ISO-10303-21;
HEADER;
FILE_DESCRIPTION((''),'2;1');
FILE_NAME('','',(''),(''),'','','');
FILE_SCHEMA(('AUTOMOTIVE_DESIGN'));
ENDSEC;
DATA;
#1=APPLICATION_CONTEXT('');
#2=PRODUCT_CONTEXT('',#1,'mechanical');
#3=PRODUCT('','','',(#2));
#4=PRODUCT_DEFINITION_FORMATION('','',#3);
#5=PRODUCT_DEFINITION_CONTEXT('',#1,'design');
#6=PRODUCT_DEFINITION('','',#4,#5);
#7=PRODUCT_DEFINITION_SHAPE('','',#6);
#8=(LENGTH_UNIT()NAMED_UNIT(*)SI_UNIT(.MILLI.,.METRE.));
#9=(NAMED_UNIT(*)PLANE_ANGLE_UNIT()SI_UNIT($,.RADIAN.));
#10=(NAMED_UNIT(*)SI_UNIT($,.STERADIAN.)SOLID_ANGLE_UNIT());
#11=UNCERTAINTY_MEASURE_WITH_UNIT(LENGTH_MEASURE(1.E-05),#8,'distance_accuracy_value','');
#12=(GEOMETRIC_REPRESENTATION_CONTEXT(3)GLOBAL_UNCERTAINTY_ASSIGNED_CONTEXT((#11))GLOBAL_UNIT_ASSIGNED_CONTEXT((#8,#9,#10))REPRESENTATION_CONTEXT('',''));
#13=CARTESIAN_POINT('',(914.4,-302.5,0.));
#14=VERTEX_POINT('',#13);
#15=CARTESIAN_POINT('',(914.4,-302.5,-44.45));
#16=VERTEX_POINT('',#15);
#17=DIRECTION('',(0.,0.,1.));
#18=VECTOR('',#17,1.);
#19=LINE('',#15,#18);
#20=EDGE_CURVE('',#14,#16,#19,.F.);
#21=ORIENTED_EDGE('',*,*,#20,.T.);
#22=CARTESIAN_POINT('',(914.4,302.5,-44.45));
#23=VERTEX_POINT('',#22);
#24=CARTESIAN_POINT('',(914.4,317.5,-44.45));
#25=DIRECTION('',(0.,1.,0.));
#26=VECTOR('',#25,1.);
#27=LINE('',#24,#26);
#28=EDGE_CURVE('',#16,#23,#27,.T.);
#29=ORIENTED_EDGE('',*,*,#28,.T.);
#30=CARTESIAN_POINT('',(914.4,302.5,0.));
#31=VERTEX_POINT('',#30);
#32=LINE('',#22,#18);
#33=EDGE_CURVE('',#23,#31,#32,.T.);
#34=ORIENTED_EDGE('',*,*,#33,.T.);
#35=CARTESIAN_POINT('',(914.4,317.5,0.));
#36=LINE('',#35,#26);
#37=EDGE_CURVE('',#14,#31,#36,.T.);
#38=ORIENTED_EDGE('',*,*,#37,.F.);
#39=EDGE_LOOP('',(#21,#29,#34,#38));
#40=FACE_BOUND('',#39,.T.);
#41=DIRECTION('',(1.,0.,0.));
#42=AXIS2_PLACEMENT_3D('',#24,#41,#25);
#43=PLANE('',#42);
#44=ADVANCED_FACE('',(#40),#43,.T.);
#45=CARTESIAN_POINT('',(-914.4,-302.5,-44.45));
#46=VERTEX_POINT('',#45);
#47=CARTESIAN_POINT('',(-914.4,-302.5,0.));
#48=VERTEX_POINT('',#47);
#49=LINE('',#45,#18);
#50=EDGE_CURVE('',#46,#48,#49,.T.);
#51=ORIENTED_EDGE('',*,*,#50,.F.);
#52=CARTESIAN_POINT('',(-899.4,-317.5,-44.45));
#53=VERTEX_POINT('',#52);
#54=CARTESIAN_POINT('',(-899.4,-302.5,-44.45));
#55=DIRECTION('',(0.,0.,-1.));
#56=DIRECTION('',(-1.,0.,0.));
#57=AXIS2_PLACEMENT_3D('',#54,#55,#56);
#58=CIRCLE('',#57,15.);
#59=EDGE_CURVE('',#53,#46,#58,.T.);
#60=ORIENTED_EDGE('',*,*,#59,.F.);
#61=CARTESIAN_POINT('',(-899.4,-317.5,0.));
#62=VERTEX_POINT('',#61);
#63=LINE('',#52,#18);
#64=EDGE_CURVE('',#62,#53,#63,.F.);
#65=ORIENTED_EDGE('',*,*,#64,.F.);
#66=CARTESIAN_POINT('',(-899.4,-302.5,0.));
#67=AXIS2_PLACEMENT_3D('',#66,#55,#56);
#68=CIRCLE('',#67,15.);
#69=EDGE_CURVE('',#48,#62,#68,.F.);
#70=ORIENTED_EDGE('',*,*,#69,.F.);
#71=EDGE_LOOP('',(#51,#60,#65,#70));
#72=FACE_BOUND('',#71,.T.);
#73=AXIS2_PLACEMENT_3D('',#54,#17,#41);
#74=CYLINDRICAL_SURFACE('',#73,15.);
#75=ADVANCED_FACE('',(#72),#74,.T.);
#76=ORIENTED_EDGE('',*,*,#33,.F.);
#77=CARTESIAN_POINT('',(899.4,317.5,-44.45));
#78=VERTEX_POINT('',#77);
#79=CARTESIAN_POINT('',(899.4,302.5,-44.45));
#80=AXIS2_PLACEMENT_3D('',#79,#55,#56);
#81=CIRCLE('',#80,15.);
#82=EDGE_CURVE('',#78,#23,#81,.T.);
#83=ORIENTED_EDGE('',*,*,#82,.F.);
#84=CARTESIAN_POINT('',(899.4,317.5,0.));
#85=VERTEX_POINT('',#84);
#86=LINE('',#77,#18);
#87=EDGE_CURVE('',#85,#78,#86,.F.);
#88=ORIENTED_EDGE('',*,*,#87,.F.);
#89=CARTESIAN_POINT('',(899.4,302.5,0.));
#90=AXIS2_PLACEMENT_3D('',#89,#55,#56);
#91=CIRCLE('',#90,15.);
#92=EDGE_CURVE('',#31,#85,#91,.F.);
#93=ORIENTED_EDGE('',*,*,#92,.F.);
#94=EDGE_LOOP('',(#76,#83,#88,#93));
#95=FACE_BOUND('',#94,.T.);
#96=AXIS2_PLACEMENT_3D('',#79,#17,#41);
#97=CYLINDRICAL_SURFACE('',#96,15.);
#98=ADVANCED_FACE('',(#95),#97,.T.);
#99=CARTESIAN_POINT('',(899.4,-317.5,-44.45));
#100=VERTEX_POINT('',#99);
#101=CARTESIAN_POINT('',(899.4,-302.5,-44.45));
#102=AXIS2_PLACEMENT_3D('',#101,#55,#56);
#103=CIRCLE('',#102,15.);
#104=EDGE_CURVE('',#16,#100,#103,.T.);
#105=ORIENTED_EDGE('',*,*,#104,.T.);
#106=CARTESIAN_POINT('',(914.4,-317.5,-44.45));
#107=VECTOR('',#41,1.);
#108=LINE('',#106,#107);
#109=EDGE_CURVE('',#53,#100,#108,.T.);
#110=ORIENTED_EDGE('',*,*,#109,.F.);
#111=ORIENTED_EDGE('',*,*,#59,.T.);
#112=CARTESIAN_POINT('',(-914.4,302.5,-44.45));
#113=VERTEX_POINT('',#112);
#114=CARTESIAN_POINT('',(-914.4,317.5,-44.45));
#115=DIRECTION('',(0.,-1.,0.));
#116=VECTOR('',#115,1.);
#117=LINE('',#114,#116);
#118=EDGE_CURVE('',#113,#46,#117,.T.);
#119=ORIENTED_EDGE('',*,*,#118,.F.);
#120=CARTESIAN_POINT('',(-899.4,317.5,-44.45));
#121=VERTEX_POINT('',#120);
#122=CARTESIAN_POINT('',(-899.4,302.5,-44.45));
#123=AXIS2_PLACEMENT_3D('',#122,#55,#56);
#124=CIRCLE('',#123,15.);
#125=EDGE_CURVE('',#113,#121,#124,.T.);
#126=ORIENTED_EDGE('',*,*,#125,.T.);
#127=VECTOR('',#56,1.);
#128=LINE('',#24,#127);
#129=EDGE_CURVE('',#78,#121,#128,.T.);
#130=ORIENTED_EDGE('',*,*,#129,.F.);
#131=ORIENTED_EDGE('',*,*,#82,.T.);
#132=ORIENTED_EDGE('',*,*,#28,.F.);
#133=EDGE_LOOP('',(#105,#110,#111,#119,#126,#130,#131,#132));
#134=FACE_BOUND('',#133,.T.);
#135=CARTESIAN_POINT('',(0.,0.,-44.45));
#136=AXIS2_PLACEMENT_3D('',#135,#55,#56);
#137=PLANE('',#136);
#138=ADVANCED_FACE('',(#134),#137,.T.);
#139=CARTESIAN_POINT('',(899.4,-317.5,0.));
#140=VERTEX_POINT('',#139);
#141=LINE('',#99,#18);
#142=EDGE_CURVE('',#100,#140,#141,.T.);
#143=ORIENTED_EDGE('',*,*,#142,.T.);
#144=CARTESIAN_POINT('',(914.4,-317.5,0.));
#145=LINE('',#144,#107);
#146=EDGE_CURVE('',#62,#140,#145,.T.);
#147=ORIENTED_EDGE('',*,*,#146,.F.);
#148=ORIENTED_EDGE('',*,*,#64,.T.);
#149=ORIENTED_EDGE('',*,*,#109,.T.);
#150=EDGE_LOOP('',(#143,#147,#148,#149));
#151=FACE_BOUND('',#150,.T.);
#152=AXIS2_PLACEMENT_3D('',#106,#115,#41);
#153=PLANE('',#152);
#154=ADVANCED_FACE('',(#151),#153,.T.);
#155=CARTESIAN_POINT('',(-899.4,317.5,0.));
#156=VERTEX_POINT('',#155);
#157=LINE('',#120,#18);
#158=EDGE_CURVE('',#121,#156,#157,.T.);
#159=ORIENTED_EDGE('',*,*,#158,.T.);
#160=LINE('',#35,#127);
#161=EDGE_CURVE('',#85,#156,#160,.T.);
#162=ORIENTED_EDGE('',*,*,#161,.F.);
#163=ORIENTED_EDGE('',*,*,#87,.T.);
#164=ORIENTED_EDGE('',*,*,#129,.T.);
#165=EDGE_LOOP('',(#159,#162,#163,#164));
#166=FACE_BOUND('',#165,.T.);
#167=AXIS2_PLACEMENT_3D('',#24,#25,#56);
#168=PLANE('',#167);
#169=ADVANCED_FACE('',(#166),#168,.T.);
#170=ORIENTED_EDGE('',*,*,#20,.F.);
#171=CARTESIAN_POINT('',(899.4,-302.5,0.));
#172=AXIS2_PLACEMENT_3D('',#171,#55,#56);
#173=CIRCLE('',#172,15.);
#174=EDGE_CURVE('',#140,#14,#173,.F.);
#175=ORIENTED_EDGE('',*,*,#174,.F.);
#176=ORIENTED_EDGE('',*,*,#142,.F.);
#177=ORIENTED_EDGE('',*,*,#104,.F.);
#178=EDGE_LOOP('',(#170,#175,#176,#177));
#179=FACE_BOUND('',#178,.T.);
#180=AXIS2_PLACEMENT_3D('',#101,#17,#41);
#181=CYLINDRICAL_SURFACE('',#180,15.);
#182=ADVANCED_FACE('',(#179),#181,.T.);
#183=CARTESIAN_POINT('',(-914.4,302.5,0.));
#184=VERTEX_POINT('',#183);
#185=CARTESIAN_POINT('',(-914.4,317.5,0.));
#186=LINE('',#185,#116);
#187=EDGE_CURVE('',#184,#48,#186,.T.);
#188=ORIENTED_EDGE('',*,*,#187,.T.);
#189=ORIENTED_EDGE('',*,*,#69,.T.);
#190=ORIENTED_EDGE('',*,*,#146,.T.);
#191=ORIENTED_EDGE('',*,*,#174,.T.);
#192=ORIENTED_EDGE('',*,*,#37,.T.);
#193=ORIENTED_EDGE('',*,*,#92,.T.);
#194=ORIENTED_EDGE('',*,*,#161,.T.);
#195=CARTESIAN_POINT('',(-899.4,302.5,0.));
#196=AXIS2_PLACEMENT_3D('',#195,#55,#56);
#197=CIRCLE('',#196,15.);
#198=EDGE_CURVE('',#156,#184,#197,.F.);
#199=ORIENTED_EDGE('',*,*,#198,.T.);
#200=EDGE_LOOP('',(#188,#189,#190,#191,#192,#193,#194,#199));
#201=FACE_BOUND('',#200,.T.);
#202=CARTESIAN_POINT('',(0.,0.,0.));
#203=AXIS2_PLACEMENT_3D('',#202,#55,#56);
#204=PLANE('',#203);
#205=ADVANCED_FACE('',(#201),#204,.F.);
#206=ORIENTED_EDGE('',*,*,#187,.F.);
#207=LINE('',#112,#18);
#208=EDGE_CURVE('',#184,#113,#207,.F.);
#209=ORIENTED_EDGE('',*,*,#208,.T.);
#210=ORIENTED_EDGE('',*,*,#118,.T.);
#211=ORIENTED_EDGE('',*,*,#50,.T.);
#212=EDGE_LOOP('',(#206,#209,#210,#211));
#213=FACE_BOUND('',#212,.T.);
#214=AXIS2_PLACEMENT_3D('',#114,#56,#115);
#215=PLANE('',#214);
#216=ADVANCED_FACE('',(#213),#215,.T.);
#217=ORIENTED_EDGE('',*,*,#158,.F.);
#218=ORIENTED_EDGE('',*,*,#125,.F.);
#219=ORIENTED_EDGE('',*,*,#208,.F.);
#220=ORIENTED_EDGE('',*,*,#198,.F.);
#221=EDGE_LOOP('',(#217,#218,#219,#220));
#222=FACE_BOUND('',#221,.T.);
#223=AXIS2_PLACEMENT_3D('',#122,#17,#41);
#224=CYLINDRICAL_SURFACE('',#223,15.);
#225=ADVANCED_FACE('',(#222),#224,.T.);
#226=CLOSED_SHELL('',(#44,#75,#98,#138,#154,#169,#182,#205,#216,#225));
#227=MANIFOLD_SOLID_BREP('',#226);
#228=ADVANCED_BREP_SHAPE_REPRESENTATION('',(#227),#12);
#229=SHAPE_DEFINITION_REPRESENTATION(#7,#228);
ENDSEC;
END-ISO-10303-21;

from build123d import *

# Parameters (mm, degrees)
SKETCH1_W           = 1828.8
SKETCH1_H           = 635
BOSS_EXTRUDE1_DEPTH = 44.45
FILLET1_R           = 15


with BuildPart() as part:
    # Sketch1 → Boss-Extrude1 (new body)
    with BuildSketch(Plane.XY):
        Rectangle(SKETCH1_W, SKETCH1_H)
    extrude(amount=-BOSS_EXTRUDE1_DEPTH)

    # Fillet1
    fillet1_edges = [part.edges().sort_by_distance(p)[0] for p in [
        (-914.4, 317.5, -22.225),
        (914.4, 317.5, -22.225),
        (914.4, -317.5, -22.225),
        (-914.4, -317.5, -22.225),
    ]]
    fillet(fillet1_edges, radius=FILLET1_R)


solid = part.part
